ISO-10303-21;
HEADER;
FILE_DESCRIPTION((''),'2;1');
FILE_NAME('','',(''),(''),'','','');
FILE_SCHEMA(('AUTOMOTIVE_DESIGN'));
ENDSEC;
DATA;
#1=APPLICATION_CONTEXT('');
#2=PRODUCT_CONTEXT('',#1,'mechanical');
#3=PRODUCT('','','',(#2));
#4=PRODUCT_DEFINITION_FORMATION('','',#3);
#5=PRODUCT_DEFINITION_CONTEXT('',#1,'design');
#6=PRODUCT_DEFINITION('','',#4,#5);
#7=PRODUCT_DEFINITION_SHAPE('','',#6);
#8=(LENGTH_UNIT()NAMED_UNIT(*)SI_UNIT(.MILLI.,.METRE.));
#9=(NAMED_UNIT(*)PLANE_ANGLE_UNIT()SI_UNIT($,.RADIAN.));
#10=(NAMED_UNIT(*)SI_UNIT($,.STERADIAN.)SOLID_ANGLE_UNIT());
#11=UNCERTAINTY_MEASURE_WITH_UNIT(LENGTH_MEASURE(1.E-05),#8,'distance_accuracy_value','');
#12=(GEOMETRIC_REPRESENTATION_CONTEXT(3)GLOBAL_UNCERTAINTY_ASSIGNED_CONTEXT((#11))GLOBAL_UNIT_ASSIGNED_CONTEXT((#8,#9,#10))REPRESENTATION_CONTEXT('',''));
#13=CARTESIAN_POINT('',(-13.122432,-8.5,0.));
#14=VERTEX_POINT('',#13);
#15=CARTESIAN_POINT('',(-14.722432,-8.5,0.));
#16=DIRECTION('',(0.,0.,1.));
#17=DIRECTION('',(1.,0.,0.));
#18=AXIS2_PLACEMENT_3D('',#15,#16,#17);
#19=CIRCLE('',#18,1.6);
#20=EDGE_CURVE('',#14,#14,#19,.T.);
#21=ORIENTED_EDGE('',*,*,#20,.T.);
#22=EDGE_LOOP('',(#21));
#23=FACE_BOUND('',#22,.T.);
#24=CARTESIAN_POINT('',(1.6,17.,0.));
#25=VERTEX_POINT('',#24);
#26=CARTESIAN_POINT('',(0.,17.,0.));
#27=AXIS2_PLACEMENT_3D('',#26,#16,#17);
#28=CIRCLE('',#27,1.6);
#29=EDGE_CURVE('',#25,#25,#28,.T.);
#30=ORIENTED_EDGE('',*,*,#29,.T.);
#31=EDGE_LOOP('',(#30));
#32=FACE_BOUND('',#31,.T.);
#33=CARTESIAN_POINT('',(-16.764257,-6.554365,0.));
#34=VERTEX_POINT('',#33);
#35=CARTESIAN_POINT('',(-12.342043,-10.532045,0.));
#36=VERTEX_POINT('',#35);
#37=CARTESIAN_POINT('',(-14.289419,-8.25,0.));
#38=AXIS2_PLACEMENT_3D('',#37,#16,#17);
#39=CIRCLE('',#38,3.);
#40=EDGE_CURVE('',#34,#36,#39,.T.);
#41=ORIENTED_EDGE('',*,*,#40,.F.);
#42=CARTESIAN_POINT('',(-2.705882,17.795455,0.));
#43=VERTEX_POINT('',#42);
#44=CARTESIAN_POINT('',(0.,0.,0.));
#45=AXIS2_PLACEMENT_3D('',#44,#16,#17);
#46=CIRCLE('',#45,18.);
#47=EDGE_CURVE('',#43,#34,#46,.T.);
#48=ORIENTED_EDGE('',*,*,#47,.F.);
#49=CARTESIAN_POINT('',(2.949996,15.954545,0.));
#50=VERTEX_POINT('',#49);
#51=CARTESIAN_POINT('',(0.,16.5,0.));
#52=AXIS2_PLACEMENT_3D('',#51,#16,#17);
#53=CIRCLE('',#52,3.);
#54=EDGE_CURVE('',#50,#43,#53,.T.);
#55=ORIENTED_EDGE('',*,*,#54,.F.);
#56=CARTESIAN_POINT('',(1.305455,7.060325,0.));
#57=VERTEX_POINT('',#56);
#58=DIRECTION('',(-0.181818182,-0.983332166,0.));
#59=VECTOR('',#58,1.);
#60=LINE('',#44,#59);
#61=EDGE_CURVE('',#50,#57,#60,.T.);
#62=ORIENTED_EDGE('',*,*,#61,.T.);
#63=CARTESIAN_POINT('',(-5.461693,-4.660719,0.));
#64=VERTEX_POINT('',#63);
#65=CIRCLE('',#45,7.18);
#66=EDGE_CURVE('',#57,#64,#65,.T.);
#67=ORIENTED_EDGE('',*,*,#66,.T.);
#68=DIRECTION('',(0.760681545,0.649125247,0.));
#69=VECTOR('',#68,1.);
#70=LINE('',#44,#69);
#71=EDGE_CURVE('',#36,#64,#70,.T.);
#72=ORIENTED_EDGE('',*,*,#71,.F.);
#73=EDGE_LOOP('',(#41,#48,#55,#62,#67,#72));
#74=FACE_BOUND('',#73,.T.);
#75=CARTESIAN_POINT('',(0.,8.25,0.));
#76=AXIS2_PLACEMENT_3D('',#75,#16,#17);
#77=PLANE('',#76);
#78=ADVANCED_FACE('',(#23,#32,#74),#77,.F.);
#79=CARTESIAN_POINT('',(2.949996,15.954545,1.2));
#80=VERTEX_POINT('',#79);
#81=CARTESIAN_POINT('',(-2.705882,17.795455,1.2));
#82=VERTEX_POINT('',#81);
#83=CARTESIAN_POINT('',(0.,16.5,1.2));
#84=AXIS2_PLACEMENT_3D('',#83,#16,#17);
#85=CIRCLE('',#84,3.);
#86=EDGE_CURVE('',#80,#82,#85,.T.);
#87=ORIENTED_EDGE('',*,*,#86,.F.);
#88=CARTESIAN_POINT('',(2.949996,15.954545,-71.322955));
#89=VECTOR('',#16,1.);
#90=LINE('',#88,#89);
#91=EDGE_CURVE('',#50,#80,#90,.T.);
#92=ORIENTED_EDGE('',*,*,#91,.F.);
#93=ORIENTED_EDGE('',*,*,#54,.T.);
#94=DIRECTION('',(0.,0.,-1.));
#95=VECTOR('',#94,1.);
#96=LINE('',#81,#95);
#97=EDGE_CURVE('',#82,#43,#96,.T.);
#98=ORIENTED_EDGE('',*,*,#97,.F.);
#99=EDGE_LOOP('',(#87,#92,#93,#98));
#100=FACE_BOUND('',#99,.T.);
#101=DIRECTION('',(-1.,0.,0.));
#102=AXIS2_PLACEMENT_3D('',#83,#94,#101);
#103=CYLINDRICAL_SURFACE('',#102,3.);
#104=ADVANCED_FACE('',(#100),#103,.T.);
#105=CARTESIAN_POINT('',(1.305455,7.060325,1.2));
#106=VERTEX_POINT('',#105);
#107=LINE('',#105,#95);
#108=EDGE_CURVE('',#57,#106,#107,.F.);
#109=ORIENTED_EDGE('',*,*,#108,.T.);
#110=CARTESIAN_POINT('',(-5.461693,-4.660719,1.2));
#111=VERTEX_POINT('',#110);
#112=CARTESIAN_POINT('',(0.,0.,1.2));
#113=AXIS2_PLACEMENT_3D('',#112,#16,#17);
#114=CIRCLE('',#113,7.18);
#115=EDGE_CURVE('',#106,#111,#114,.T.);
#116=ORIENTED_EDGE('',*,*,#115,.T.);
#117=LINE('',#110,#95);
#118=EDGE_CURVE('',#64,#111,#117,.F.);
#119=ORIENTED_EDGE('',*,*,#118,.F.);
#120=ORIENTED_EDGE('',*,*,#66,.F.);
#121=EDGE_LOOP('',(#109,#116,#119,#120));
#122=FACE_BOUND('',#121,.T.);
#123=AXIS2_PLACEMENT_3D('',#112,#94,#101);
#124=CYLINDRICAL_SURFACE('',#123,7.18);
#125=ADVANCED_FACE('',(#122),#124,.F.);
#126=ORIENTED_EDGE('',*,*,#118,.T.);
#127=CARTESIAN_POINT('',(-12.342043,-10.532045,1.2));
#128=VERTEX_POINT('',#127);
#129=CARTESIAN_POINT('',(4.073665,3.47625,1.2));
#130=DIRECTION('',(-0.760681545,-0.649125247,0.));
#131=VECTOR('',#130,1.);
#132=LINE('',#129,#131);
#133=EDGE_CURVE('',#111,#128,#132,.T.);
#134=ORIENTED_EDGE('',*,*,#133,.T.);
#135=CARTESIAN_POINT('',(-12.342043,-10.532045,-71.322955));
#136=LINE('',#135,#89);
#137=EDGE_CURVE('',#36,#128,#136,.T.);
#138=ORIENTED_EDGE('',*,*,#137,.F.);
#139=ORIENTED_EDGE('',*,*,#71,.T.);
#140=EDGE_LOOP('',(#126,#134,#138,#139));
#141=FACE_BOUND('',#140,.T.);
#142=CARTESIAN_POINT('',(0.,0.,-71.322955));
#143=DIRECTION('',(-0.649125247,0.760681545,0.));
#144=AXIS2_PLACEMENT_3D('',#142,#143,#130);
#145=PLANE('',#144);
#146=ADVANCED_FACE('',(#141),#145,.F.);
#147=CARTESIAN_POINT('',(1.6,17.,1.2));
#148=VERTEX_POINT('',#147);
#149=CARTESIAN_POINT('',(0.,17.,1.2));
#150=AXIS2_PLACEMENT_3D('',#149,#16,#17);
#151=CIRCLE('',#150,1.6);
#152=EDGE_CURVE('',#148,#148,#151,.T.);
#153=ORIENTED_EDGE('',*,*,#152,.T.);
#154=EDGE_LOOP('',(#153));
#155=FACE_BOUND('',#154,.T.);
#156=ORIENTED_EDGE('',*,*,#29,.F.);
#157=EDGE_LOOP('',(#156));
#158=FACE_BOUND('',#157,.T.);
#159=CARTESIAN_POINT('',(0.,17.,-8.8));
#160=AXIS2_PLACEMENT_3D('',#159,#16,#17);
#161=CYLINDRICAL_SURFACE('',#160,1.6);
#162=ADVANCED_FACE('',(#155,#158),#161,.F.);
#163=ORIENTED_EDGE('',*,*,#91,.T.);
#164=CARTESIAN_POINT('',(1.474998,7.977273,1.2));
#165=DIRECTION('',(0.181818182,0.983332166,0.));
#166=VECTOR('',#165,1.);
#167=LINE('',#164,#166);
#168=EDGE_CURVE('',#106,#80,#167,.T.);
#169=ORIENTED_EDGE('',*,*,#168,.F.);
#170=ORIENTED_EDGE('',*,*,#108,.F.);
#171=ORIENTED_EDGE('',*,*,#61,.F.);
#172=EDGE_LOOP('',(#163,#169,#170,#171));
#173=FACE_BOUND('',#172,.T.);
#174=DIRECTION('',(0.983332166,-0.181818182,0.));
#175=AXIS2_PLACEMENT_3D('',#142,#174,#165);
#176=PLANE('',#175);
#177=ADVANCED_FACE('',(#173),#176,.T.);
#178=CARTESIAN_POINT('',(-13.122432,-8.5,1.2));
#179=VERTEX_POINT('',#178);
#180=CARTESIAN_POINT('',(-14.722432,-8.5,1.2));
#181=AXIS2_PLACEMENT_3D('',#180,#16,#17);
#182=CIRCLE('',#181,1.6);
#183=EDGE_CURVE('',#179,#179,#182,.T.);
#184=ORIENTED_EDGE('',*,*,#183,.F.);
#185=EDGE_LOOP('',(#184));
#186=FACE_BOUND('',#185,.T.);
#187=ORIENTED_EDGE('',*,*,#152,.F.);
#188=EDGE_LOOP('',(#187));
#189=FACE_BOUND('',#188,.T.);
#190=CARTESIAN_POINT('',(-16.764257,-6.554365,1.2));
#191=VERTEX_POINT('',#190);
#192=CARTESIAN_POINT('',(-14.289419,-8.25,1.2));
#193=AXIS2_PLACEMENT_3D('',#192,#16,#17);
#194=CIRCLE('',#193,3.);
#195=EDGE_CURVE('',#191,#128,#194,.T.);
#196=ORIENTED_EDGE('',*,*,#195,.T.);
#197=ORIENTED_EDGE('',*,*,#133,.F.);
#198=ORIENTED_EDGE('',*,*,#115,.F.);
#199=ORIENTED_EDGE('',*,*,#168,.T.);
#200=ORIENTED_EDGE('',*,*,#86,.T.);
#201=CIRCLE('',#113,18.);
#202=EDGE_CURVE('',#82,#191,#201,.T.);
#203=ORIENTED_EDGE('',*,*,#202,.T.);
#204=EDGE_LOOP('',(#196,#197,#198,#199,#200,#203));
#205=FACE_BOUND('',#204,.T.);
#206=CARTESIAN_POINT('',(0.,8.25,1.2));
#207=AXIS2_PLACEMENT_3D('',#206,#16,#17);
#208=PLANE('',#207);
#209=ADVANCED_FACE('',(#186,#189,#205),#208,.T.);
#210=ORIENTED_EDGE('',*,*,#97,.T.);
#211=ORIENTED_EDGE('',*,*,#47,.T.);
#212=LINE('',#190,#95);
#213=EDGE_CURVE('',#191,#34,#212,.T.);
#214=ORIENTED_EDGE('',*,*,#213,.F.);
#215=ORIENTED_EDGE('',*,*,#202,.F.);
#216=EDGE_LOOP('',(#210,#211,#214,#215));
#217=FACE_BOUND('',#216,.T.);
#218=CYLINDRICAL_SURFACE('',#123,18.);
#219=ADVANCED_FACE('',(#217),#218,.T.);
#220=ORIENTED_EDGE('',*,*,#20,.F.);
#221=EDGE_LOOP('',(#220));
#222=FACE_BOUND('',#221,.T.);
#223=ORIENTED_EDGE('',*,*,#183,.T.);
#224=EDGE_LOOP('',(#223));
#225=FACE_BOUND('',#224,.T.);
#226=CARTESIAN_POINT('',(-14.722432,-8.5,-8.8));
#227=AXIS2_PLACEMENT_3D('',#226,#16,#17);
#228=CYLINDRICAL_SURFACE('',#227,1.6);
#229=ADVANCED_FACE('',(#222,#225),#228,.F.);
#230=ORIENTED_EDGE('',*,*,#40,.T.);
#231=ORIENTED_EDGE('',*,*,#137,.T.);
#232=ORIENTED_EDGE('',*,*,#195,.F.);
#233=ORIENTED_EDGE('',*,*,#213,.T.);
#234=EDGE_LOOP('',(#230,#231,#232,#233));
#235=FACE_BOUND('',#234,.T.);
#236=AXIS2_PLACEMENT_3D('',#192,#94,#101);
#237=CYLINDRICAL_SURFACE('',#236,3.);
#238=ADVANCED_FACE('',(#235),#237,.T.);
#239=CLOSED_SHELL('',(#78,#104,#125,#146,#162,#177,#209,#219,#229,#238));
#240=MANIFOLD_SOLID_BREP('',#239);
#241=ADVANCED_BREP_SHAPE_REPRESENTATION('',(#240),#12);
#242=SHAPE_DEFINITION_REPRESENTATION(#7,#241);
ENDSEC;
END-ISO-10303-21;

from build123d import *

# Parameters (mm, degrees)
SKETCH_1_R          = 7.18
EXTRUDE_1_DEPTH     = 1.2
SKETCH_2_R          = 1.6
CUT_EXTRUDE_1_DEPTH = 10
CUT_EXTRUDE_START   = -11.2
CUT_EXTRUDE_4_DEPTH = 11.2


with BuildPart() as part:
    # 草图1 → 凸台-拉伸1 (new body)
    with BuildSketch(Plane.XY):
        with BuildLine():
            ThreePointArc((-14.058374697, -11.241089844), (0, -18), (14.058374697, -11.241089844))
            ThreePointArc((14.058374697, -11.241089844), (16.887495374, -9.75), (16.76425672, -6.554364701))
            ThreePointArc((16.76425672, -6.554364701), (15.588457268, 9), (2.705882023, 17.795454545))
            ThreePointArc((2.705882023, 17.795454545), (0, 19.5), (-2.705882023, 17.795454545))
            ThreePointArc((-2.705882023, 17.795454545), (-15.588457268, 9), (-16.76425672, -6.554364701))
            ThreePointArc((-16.76425672, -6.554364701), (-16.887495374, -9.75), (-14.058374697, -11.241089844))
        make_face()
        Circle(SKETCH_1_R, mode=Mode.SUBTRACT)
    extrude(amount=EXTRUDE_1_DEPTH)

    # 草图2 → 切除-拉伸1 (cut)
    with BuildSketch(Plane.XY.offset(1.2)):
        with Locations((0, 17)):
            Circle(SKETCH_2_R)
        with Locations((14.722431864, -8.5)):
            Circle(SKETCH_2_R)
        with Locations((-14.722431864, -8.5)):
            Circle(SKETCH_2_R)
    extrude(amount=-CUT_EXTRUDE_1_DEPTH, mode=Mode.SUBTRACT)

    # 草图4 → 切除-拉伸4 (cut)
    with BuildSketch(Plane.XY.offset(11.2).offset(CUT_EXTRUDE_START)):
        with BuildLine():
            Line((0, 0), (2.949996498, 15.954545455))
            ThreePointArc((2.949996498, 15.954545455), (0.928512003, 19.352694421), (-2.705882023, 17.795454545))
            Line((-2.705882023, 17.795454545), (-0.609984312, 23.633101635))
            Line((-0.609984312, 23.633101635), (9.450831052, 25.36709559))
            Line((9.450831052, 25.36709559), (30.272136365, -16.841499514))
            Line((30.272136365, -16.841499514), (-5.709784057, -19.189026381))
            Line((-5.709784057, -19.189026381), (-25.420914817, -11.863123573))
            Line((-25.420914817, -11.863123573), (-16.76425672, -6.554364701))
            ThreePointArc((-16.76425672, -6.554364701), (-16.295668999, -10.480462193), (-12.34204342, -10.532044636))
            Line((-12.34204342, -10.532044636), (0, 0))
        make_face()
    extrude(amount=CUT_EXTRUDE_4_DEPTH, mode=Mode.SUBTRACT)


solid = part.part
